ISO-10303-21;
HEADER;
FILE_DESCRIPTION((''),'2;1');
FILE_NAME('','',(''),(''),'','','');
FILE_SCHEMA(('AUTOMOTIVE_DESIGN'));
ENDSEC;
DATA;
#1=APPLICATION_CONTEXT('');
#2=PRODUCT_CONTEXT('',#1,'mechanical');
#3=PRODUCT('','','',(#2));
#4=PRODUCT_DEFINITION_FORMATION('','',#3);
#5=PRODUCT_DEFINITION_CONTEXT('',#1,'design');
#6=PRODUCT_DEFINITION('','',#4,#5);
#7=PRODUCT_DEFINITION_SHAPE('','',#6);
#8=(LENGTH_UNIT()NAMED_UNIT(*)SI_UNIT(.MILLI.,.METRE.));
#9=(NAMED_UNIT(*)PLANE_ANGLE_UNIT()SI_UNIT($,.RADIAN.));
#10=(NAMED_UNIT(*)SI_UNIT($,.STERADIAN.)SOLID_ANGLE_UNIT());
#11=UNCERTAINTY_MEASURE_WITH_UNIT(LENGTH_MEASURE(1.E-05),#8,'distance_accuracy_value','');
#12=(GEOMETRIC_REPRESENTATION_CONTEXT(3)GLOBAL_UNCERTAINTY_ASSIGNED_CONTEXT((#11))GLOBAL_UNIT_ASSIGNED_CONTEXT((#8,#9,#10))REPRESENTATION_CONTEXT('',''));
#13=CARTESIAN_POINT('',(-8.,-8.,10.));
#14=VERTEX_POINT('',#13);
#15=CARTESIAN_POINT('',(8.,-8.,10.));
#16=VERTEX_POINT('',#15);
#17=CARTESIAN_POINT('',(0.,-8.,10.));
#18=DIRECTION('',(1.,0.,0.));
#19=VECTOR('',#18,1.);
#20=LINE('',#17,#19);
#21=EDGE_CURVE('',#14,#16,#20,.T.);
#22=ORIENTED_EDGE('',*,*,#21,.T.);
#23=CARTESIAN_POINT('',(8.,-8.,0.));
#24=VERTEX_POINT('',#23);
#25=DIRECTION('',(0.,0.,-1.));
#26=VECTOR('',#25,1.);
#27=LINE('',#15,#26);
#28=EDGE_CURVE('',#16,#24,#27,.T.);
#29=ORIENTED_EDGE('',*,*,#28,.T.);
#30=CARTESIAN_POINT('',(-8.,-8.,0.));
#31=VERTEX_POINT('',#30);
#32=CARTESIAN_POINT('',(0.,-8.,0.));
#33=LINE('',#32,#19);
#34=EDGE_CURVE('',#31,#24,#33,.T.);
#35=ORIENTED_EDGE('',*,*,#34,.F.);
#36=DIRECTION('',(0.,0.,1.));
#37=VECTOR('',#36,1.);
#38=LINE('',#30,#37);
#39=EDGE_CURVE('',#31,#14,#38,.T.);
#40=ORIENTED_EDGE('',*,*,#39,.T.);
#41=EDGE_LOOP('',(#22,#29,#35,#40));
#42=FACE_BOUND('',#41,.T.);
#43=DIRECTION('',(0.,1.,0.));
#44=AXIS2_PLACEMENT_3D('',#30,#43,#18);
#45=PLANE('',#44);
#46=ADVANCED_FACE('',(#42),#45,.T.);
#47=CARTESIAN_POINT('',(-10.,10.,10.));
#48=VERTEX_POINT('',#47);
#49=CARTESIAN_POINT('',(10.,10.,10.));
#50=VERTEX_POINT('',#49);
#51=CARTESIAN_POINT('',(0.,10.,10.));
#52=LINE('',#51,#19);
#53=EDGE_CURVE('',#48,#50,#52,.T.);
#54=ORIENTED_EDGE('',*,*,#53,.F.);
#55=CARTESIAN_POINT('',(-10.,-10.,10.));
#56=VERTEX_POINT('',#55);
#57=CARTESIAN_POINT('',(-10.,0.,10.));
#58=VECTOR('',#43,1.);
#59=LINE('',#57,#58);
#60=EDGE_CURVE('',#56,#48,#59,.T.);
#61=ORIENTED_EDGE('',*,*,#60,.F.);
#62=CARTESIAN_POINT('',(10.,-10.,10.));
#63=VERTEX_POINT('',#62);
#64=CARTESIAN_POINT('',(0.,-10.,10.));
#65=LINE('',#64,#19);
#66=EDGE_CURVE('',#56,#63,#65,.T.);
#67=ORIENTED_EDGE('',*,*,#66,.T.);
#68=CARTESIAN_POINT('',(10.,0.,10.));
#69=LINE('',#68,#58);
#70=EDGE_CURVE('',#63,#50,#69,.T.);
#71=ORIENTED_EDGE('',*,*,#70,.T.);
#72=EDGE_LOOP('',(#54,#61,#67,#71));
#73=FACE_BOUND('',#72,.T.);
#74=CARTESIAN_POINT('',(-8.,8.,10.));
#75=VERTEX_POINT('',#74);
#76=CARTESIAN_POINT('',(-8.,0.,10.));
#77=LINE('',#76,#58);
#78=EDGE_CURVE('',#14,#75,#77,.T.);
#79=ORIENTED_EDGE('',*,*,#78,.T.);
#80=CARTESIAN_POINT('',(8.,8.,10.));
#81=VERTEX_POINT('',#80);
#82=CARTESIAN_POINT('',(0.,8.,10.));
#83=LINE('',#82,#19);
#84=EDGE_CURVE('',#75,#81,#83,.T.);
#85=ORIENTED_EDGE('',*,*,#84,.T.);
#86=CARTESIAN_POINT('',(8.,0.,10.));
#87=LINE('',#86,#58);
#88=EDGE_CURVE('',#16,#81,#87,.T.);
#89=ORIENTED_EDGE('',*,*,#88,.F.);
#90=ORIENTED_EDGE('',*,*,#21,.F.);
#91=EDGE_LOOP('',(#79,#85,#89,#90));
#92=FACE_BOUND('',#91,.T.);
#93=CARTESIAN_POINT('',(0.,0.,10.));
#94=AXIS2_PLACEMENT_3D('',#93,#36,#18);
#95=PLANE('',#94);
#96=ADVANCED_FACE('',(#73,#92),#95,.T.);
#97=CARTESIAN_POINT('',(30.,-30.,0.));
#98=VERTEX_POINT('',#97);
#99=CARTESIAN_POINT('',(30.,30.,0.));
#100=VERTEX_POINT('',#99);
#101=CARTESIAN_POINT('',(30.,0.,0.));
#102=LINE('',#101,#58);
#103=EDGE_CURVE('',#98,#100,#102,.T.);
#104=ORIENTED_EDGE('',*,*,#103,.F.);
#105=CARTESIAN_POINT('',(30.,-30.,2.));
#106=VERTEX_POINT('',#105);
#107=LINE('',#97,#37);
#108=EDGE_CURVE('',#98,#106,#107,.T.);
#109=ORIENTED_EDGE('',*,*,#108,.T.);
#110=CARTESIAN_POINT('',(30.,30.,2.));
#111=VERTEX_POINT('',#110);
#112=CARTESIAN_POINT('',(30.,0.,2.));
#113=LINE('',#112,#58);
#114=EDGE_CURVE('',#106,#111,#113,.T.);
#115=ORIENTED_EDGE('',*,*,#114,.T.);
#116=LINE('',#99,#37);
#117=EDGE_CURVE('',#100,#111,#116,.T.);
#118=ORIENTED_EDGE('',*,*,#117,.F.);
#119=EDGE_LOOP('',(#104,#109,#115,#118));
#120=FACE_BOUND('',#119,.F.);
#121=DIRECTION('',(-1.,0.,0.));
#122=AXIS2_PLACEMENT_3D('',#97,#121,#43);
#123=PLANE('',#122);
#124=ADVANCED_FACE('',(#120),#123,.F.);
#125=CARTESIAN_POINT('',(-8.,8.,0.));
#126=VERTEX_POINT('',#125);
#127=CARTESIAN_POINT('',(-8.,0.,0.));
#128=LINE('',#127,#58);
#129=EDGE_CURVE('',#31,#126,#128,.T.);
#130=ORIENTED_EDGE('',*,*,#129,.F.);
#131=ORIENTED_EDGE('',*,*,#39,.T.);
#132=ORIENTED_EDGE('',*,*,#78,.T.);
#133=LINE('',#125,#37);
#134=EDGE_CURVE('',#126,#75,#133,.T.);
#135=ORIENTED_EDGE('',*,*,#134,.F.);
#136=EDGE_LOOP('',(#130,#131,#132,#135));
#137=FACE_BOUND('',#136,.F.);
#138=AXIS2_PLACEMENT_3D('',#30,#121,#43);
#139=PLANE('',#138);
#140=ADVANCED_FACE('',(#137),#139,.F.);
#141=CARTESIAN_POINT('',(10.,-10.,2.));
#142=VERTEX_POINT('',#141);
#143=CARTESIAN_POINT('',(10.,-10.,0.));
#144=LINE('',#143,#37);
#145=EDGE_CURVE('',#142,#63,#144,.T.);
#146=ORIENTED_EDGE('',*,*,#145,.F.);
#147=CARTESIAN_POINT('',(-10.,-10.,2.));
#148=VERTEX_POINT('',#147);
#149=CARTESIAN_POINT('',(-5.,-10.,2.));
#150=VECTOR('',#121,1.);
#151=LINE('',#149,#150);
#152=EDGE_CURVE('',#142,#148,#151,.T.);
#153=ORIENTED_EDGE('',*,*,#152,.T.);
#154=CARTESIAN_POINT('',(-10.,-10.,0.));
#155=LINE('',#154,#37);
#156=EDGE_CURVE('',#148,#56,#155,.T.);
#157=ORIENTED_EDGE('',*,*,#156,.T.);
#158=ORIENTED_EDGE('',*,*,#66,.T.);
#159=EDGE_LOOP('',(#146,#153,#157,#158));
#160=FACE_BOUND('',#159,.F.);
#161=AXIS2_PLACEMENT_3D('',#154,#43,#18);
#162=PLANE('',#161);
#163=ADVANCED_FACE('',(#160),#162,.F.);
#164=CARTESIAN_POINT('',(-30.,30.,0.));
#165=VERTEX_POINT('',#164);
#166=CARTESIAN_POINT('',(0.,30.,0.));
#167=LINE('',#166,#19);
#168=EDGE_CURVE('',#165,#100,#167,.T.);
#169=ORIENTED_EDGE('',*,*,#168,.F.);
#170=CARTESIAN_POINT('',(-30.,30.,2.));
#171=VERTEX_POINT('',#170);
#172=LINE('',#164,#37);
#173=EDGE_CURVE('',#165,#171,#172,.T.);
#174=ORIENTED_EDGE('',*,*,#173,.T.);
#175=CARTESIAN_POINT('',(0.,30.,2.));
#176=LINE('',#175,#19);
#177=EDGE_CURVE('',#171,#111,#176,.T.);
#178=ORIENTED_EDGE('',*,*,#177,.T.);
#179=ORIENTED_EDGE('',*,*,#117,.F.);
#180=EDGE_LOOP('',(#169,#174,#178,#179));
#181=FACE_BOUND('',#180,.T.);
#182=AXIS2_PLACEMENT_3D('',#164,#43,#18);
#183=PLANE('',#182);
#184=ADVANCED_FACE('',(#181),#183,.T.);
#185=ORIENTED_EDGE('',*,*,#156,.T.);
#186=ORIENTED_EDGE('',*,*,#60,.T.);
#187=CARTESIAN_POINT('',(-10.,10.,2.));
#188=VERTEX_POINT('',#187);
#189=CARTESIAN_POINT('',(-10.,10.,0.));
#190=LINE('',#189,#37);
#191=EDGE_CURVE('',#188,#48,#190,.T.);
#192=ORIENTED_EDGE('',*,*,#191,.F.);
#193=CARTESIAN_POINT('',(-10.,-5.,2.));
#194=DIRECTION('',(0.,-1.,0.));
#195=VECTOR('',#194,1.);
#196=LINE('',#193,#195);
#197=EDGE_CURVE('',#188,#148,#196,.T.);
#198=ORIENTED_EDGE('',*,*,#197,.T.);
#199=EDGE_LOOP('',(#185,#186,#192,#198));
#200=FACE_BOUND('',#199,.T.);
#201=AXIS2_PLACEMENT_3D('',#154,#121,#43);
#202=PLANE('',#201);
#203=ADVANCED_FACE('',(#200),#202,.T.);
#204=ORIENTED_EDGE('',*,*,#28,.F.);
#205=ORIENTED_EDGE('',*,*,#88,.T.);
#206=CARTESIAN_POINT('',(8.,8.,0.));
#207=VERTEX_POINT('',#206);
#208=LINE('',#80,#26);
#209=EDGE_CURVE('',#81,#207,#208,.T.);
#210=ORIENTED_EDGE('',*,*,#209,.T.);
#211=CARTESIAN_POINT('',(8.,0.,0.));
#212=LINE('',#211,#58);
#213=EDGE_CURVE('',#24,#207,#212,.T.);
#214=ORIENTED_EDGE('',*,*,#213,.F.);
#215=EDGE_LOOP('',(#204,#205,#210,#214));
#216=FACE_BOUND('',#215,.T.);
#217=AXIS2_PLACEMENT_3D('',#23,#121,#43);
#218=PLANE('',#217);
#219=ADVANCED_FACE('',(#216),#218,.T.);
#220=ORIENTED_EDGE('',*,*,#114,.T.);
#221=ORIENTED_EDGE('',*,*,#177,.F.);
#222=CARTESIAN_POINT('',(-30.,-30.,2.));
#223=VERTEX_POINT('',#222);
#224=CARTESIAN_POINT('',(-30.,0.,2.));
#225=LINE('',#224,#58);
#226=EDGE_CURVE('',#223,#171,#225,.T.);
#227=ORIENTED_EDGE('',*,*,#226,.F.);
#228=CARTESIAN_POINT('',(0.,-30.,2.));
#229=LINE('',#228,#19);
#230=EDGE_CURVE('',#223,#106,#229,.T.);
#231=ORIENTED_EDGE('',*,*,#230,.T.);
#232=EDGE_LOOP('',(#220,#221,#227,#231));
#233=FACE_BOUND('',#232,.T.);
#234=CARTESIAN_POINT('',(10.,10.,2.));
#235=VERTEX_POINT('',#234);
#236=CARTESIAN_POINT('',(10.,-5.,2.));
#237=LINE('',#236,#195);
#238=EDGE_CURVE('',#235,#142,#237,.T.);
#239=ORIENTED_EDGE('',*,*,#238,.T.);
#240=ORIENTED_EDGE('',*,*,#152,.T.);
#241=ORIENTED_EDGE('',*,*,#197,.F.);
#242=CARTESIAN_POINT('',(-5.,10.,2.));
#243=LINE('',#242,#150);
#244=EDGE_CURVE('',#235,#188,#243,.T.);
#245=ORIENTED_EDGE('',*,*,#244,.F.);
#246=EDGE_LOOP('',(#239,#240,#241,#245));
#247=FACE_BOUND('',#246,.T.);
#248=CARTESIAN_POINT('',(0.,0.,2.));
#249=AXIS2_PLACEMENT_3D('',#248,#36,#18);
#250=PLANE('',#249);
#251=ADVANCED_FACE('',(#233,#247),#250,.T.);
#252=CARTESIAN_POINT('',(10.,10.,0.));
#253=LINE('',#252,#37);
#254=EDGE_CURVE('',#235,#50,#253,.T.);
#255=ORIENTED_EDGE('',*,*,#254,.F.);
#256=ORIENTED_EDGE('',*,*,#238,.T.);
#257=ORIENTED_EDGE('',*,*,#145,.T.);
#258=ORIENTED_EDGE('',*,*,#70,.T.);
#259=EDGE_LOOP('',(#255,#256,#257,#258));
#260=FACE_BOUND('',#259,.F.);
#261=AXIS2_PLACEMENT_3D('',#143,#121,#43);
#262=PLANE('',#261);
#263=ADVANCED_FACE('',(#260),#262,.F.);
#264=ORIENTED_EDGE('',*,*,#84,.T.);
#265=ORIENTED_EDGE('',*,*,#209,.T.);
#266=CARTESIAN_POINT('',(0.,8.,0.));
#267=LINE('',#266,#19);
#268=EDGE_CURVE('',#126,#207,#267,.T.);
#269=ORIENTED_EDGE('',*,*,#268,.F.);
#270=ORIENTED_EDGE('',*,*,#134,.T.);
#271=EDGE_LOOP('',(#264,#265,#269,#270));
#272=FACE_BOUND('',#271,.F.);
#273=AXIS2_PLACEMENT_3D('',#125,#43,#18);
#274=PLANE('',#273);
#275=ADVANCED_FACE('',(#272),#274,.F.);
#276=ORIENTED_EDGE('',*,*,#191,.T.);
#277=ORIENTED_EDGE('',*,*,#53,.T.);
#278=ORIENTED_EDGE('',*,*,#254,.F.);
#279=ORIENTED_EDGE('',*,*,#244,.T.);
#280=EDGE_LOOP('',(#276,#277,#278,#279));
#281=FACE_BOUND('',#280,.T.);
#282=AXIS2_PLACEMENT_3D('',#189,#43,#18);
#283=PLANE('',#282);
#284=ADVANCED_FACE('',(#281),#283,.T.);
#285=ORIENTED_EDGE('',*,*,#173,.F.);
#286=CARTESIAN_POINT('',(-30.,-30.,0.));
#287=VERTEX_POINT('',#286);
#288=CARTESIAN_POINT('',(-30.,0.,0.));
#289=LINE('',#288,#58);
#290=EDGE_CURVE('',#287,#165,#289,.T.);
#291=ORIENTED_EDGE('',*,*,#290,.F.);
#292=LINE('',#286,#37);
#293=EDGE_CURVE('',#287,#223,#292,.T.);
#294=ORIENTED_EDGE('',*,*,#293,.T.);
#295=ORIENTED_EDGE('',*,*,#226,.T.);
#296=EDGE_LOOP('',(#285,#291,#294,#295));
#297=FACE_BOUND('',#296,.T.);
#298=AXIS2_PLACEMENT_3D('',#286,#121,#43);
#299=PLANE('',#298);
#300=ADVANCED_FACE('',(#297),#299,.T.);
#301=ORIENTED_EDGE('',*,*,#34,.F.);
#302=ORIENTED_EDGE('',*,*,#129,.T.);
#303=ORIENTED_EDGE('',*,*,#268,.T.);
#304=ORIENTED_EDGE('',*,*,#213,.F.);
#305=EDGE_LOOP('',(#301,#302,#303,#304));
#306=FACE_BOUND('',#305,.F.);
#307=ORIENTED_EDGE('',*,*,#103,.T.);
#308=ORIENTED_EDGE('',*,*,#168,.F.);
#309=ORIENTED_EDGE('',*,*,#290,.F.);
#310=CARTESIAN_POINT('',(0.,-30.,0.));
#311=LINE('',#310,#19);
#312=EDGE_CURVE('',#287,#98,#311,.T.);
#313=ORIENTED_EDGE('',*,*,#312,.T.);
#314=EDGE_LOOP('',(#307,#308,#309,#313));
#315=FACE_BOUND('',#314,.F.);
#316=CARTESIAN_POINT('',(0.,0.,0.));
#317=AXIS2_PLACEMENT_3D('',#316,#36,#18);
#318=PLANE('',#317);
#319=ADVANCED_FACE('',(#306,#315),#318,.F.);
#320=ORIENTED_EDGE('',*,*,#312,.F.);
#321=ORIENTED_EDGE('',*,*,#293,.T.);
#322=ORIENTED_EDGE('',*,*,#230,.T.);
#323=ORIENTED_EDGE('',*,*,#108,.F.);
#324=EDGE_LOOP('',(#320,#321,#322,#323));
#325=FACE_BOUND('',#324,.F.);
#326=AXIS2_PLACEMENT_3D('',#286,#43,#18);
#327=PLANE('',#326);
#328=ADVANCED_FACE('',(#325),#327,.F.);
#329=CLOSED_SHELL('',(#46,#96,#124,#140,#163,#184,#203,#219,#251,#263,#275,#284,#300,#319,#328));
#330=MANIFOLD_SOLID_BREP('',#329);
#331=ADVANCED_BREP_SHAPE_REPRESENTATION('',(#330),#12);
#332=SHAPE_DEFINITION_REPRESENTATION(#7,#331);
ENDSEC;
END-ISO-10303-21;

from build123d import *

# Parameters (mm, degrees)
BOX002_W     = 16
BOX002_H     = 16
BOX002_DEPTH = 10
BOX003_W     = 20
BOX003_H     = 20
BOX003_DEPTH = 10
BOX001_W     = 16
BOX001_H     = 16
BOX001_DEPTH = 3
BOX_W        = 60
BOX_H        = 60
BOX_DEPTH    = 2


with BuildPart() as cube002:
    # Box002 → Box002 (new body)
    with BuildSketch(Plane(origin=(-8, -8, 0), x_dir=(1, 0, 0), z_dir=(0, 0, 1))):
        with Locations((8, 8)):
            Rectangle(BOX002_W, BOX002_H)
    extrude(amount=BOX002_DEPTH)


with BuildPart() as cut001:
    # Box003 → Box003 (new body)
    with BuildSketch(Plane(origin=(-10, -10, 0), x_dir=(1, 0, 0), z_dir=(0, 0, 1))):
        with Locations((10, 10)):
            Rectangle(BOX003_W, BOX003_H)
    extrude(amount=BOX003_DEPTH)

    # Cut001: cut Cube002
    add(cube002.part, mode=Mode.SUBTRACT)


with BuildPart() as cube001:
    # Box001 → Box001 (new body)
    with BuildSketch(Plane(origin=(-8, -8, 0), x_dir=(1, 0, 0), z_dir=(0, 0, 1))):
        with Locations((8, 8)):
            Rectangle(BOX001_W, BOX001_H)
    extrude(amount=BOX001_DEPTH)


with BuildPart() as fusion:
    # Box → Box (new body)
    with BuildSketch(Plane(origin=(-30, -30, 0), x_dir=(1, 0, 0), z_dir=(0, 0, 1))):
        with Locations((30, 30)):
            Rectangle(BOX_W, BOX_H)
    extrude(amount=BOX_DEPTH)

    # Cut: cut Cube001
    add(cube001.part, mode=Mode.SUBTRACT)

    # Fusion: union Cut001
    add(cut001.part)


solid = fusion.part
